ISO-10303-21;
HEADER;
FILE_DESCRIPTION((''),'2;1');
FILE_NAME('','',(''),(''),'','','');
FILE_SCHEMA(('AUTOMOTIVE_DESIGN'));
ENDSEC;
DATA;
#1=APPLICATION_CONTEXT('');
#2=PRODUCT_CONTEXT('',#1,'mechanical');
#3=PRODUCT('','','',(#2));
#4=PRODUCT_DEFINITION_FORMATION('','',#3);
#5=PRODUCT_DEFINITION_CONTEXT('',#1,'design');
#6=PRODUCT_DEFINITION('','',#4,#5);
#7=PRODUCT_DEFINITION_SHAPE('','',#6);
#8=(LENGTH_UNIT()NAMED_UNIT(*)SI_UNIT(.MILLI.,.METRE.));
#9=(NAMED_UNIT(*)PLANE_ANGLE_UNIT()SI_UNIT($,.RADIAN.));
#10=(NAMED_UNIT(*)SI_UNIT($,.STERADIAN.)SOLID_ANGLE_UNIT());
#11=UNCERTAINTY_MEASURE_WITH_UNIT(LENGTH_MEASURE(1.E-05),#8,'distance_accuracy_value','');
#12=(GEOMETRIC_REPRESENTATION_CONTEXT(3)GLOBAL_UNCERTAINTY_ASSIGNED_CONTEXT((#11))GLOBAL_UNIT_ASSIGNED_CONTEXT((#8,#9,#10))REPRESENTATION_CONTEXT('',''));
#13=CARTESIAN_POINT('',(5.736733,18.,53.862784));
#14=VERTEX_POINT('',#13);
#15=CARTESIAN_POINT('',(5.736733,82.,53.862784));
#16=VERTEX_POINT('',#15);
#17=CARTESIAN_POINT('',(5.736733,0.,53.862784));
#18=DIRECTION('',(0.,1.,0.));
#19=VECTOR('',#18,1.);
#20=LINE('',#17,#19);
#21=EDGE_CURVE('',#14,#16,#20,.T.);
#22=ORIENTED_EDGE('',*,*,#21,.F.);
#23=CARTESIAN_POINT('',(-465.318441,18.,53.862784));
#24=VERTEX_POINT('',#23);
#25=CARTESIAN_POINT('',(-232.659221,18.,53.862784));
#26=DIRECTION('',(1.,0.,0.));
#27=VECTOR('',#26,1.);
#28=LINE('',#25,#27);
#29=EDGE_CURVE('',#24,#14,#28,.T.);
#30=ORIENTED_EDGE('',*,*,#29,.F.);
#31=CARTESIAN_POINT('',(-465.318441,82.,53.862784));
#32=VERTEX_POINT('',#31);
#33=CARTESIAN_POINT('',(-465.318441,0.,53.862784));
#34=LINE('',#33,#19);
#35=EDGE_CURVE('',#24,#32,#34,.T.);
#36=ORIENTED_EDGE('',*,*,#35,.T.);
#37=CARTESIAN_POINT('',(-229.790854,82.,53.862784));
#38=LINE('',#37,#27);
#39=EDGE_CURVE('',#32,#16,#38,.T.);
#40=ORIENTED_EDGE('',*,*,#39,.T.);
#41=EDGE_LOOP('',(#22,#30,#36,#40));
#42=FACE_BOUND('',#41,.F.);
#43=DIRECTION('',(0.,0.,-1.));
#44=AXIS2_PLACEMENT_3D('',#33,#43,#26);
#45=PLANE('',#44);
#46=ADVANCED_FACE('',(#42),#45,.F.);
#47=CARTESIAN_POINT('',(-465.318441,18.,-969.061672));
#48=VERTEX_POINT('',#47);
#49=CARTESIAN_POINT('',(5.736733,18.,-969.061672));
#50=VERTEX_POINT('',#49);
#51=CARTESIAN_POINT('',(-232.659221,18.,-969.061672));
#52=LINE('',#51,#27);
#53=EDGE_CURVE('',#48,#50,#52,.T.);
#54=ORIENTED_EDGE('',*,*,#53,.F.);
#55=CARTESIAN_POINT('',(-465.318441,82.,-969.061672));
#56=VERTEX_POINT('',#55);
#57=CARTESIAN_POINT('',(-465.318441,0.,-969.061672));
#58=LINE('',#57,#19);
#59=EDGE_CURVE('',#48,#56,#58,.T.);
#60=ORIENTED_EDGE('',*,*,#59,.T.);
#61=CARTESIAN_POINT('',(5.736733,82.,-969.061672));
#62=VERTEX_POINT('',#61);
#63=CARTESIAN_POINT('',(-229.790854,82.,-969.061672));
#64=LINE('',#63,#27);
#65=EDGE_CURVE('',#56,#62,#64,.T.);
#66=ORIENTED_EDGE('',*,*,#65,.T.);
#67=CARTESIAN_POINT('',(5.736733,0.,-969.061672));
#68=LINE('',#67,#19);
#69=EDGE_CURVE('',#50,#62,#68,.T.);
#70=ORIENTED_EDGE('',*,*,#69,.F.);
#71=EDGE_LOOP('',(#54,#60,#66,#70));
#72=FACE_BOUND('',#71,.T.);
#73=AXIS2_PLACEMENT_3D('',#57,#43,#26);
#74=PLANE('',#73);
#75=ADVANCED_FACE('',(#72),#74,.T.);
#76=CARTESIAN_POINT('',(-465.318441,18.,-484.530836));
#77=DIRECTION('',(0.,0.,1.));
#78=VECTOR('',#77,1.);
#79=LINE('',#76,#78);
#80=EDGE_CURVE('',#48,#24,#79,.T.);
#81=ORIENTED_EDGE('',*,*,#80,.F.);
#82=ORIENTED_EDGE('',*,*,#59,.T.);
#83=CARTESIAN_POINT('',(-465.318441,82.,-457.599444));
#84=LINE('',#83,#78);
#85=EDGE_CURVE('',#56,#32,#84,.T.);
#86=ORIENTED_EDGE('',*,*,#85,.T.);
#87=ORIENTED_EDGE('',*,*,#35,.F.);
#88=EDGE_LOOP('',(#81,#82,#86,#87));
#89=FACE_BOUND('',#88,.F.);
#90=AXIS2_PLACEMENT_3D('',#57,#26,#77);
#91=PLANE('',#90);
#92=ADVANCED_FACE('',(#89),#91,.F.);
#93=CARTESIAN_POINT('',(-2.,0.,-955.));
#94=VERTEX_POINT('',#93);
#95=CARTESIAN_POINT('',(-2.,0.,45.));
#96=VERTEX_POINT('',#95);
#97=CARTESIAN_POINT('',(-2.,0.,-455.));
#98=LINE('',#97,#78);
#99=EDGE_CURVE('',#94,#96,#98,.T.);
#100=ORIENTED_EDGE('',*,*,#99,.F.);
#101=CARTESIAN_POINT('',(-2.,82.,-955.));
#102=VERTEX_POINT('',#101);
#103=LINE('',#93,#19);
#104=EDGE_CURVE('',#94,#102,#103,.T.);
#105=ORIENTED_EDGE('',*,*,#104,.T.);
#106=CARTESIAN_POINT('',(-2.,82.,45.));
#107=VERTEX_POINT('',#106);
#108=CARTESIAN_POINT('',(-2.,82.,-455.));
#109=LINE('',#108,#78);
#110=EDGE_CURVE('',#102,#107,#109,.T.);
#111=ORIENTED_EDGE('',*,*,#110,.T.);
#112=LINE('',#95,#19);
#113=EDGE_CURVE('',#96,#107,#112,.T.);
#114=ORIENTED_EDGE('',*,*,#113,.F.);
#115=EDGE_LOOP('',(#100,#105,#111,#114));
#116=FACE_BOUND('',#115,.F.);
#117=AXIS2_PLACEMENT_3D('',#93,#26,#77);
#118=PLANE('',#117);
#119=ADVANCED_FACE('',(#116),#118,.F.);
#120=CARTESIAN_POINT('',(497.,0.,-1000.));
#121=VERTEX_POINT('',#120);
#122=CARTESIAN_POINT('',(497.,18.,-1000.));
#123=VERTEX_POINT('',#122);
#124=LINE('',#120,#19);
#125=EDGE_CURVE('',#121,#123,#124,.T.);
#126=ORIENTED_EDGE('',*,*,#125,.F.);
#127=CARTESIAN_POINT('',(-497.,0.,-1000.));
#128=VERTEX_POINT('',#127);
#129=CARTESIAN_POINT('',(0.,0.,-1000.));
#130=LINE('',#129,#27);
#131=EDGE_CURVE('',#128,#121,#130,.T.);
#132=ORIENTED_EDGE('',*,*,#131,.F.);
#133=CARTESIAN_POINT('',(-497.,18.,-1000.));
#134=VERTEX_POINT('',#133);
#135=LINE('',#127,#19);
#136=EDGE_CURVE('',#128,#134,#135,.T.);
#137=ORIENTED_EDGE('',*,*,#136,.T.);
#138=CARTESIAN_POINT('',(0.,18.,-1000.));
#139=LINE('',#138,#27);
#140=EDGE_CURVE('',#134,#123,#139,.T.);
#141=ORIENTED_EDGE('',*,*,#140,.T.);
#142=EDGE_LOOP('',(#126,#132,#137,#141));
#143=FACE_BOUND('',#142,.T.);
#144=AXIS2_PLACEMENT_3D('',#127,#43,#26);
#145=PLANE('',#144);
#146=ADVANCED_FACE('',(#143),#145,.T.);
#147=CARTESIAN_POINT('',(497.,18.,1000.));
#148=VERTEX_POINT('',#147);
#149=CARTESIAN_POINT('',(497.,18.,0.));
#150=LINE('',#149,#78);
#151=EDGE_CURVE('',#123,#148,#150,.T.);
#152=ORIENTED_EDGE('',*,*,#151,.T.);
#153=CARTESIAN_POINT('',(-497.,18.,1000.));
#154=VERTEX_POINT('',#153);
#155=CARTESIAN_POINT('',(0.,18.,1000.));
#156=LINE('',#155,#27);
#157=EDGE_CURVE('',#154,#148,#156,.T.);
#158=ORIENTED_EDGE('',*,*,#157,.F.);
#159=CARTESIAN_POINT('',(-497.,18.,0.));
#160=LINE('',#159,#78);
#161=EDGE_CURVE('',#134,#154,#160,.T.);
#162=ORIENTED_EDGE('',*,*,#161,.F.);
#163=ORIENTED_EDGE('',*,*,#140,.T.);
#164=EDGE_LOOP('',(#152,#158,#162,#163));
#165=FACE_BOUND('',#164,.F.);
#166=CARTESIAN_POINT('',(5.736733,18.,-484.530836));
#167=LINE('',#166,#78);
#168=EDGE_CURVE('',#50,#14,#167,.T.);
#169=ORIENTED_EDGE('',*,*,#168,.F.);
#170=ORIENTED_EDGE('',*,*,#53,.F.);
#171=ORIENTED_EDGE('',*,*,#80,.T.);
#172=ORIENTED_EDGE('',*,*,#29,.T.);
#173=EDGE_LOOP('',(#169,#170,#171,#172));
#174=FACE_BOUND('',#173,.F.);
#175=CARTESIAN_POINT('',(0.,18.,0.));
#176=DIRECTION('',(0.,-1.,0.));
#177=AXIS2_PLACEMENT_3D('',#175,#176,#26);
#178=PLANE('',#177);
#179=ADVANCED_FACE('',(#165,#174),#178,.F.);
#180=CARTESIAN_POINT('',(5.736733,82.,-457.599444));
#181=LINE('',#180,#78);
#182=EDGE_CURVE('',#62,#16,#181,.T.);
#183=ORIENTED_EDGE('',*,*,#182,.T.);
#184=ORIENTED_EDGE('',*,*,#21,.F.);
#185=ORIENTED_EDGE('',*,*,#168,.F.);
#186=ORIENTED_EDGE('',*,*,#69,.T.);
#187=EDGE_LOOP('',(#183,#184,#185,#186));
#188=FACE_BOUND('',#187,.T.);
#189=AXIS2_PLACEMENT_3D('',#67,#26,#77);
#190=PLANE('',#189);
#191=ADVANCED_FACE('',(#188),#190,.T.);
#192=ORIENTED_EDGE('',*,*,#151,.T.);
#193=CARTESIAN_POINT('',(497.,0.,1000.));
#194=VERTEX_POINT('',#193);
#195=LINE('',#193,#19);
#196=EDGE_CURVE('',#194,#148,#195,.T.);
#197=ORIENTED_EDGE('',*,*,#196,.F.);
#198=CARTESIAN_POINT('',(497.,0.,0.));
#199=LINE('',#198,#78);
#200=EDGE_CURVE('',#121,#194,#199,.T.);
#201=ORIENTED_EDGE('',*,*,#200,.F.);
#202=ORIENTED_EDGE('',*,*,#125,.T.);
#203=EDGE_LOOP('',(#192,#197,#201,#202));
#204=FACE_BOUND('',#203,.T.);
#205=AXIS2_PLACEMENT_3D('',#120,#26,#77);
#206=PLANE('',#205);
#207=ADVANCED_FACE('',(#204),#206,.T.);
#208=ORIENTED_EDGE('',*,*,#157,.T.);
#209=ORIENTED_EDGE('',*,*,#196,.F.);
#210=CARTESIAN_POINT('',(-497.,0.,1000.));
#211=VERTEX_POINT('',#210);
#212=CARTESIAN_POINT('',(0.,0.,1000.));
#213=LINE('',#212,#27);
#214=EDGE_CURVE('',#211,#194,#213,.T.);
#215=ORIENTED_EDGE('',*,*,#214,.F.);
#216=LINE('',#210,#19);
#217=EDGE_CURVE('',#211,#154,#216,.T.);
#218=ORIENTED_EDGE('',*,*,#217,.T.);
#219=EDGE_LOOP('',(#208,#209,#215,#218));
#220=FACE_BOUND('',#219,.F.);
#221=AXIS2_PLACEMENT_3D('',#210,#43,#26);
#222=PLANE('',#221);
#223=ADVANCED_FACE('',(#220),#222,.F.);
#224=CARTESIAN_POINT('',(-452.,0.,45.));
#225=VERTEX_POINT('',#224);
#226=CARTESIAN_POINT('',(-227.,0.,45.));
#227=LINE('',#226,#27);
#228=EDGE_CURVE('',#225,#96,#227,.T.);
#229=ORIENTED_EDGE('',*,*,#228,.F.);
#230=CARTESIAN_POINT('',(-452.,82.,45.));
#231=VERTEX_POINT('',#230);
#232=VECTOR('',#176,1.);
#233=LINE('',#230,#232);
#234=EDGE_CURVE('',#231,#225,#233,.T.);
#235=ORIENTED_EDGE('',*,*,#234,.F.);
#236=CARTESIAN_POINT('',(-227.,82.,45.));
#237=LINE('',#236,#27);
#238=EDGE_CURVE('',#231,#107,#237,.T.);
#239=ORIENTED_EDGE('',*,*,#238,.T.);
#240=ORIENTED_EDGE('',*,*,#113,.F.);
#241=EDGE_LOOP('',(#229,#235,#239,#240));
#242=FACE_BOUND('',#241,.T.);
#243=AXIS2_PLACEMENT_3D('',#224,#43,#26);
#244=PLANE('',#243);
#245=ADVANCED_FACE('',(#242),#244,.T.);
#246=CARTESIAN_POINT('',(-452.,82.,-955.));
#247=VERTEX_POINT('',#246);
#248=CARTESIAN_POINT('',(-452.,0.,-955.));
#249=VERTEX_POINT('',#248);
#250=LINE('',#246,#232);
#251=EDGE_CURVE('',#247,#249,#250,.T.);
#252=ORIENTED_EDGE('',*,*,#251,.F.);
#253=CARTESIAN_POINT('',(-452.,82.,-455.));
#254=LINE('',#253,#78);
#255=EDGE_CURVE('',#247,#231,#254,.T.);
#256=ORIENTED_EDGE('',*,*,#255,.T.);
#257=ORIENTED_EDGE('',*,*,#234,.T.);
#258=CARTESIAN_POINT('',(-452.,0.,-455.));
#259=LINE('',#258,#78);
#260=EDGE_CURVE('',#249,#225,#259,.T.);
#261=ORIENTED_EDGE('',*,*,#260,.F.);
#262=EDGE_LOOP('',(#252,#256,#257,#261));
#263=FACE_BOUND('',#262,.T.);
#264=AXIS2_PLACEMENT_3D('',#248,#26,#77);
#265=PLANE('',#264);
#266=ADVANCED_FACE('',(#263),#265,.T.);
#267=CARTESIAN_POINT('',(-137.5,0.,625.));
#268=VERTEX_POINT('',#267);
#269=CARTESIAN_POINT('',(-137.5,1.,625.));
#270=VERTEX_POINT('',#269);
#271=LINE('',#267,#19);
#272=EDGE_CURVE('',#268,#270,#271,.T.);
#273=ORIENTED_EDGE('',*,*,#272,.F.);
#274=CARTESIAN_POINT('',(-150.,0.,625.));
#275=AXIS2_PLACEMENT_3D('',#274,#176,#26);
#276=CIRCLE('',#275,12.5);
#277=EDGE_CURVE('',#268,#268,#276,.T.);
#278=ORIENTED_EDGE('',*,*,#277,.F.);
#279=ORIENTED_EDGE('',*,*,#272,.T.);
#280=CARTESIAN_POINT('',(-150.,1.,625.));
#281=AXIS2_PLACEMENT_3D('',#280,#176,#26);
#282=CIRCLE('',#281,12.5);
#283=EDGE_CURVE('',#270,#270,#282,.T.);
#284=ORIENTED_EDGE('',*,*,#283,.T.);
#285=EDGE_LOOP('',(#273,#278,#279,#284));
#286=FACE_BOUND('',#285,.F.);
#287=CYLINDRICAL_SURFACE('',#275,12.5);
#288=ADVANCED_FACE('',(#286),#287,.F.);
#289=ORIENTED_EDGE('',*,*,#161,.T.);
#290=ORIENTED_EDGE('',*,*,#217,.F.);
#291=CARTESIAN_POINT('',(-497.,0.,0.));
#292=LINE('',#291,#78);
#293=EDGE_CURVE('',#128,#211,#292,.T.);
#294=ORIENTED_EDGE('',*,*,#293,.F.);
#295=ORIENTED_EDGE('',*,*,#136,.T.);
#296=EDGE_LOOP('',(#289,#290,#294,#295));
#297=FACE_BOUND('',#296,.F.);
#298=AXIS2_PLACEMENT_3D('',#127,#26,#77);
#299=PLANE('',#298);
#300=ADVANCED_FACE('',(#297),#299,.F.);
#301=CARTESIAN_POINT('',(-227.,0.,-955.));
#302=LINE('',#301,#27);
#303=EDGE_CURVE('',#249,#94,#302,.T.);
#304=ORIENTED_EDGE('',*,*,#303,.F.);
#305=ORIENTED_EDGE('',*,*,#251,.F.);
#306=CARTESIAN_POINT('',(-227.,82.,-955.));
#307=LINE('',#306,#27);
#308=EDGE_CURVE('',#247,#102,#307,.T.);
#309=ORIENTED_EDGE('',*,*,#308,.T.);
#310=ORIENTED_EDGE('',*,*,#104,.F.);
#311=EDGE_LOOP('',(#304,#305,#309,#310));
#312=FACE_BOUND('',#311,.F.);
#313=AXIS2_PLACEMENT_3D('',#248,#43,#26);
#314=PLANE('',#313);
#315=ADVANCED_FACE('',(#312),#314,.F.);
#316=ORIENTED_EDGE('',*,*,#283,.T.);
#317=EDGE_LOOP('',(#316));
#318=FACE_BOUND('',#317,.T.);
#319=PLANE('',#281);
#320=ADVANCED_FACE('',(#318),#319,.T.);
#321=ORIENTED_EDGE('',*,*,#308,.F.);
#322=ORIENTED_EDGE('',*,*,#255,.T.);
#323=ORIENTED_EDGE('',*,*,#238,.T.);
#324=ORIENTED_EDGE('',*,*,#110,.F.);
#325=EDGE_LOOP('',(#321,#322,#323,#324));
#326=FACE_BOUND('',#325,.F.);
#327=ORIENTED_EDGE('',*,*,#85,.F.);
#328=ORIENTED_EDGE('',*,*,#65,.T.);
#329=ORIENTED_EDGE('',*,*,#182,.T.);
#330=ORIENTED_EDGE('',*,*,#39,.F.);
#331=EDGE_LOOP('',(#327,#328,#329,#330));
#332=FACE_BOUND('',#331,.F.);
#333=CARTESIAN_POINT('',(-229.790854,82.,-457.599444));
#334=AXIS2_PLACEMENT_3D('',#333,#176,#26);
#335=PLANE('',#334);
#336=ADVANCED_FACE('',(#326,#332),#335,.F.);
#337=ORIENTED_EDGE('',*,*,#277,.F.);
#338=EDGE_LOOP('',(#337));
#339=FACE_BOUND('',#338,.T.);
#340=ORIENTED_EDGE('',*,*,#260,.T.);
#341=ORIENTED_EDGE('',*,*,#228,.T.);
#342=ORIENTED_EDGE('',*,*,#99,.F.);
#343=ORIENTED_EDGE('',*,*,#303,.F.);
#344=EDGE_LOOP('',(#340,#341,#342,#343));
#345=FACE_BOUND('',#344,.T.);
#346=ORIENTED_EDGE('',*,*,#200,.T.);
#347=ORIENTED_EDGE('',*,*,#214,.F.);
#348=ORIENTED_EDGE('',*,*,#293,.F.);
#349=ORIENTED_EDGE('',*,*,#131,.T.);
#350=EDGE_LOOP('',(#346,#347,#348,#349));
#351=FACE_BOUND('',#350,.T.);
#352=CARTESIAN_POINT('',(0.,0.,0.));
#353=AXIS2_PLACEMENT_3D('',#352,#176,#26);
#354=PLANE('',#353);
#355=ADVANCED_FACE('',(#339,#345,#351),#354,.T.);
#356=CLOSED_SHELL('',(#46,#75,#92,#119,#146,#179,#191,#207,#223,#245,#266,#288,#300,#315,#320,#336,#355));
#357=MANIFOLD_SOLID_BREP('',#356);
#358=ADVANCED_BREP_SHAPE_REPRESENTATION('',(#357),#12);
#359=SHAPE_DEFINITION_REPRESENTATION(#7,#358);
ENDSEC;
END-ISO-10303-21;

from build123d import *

# Parameters (mm, degrees)
F0_W     = 994
F0_H     = 2000
F1_DEPTH = 18
F2_R     = 12.5
F3_DEPTH = 1
F4_W     = 450
F4_H     = 1000
F5_DEPTH = 82
F6_W     = 471.055174
F6_H     = 1022.924457
F6_W_2   = 450
F6_H_2   = 1000
F7_DEPTH = 82


with BuildPart() as f1:
    # F0 (on Front) → F1 (new body)
    with BuildSketch(Plane.XZ):
        Rectangle(F0_W, F0_H)
    extrude(amount=-F1_DEPTH)

    # F2 (on face) → F3 (cut)
    with BuildSketch(Plane.XZ):
        with Locations((-150, 625)):
            Circle(F2_R)
    extrude(amount=-F3_DEPTH, mode=Mode.SUBTRACT)

    # F4 (on face) → F5 (cut)
    with BuildSketch(Plane.XZ):
        with Locations((-227, -455)):
            Rectangle(F4_W, F4_H)
    extrude(amount=-F5_DEPTH, mode=Mode.SUBTRACT)

    # F6 (on face) → F7 (join)
    with BuildSketch(Plane.XZ):
        with Locations((-229.790854, -457.599444)):
            Rectangle(F6_W, F6_H)
        with Locations((-227, -455)):
            Rectangle(F6_W_2, F6_H_2, mode=Mode.SUBTRACT)
    extrude(amount=-F7_DEPTH)


solid = f1.part
